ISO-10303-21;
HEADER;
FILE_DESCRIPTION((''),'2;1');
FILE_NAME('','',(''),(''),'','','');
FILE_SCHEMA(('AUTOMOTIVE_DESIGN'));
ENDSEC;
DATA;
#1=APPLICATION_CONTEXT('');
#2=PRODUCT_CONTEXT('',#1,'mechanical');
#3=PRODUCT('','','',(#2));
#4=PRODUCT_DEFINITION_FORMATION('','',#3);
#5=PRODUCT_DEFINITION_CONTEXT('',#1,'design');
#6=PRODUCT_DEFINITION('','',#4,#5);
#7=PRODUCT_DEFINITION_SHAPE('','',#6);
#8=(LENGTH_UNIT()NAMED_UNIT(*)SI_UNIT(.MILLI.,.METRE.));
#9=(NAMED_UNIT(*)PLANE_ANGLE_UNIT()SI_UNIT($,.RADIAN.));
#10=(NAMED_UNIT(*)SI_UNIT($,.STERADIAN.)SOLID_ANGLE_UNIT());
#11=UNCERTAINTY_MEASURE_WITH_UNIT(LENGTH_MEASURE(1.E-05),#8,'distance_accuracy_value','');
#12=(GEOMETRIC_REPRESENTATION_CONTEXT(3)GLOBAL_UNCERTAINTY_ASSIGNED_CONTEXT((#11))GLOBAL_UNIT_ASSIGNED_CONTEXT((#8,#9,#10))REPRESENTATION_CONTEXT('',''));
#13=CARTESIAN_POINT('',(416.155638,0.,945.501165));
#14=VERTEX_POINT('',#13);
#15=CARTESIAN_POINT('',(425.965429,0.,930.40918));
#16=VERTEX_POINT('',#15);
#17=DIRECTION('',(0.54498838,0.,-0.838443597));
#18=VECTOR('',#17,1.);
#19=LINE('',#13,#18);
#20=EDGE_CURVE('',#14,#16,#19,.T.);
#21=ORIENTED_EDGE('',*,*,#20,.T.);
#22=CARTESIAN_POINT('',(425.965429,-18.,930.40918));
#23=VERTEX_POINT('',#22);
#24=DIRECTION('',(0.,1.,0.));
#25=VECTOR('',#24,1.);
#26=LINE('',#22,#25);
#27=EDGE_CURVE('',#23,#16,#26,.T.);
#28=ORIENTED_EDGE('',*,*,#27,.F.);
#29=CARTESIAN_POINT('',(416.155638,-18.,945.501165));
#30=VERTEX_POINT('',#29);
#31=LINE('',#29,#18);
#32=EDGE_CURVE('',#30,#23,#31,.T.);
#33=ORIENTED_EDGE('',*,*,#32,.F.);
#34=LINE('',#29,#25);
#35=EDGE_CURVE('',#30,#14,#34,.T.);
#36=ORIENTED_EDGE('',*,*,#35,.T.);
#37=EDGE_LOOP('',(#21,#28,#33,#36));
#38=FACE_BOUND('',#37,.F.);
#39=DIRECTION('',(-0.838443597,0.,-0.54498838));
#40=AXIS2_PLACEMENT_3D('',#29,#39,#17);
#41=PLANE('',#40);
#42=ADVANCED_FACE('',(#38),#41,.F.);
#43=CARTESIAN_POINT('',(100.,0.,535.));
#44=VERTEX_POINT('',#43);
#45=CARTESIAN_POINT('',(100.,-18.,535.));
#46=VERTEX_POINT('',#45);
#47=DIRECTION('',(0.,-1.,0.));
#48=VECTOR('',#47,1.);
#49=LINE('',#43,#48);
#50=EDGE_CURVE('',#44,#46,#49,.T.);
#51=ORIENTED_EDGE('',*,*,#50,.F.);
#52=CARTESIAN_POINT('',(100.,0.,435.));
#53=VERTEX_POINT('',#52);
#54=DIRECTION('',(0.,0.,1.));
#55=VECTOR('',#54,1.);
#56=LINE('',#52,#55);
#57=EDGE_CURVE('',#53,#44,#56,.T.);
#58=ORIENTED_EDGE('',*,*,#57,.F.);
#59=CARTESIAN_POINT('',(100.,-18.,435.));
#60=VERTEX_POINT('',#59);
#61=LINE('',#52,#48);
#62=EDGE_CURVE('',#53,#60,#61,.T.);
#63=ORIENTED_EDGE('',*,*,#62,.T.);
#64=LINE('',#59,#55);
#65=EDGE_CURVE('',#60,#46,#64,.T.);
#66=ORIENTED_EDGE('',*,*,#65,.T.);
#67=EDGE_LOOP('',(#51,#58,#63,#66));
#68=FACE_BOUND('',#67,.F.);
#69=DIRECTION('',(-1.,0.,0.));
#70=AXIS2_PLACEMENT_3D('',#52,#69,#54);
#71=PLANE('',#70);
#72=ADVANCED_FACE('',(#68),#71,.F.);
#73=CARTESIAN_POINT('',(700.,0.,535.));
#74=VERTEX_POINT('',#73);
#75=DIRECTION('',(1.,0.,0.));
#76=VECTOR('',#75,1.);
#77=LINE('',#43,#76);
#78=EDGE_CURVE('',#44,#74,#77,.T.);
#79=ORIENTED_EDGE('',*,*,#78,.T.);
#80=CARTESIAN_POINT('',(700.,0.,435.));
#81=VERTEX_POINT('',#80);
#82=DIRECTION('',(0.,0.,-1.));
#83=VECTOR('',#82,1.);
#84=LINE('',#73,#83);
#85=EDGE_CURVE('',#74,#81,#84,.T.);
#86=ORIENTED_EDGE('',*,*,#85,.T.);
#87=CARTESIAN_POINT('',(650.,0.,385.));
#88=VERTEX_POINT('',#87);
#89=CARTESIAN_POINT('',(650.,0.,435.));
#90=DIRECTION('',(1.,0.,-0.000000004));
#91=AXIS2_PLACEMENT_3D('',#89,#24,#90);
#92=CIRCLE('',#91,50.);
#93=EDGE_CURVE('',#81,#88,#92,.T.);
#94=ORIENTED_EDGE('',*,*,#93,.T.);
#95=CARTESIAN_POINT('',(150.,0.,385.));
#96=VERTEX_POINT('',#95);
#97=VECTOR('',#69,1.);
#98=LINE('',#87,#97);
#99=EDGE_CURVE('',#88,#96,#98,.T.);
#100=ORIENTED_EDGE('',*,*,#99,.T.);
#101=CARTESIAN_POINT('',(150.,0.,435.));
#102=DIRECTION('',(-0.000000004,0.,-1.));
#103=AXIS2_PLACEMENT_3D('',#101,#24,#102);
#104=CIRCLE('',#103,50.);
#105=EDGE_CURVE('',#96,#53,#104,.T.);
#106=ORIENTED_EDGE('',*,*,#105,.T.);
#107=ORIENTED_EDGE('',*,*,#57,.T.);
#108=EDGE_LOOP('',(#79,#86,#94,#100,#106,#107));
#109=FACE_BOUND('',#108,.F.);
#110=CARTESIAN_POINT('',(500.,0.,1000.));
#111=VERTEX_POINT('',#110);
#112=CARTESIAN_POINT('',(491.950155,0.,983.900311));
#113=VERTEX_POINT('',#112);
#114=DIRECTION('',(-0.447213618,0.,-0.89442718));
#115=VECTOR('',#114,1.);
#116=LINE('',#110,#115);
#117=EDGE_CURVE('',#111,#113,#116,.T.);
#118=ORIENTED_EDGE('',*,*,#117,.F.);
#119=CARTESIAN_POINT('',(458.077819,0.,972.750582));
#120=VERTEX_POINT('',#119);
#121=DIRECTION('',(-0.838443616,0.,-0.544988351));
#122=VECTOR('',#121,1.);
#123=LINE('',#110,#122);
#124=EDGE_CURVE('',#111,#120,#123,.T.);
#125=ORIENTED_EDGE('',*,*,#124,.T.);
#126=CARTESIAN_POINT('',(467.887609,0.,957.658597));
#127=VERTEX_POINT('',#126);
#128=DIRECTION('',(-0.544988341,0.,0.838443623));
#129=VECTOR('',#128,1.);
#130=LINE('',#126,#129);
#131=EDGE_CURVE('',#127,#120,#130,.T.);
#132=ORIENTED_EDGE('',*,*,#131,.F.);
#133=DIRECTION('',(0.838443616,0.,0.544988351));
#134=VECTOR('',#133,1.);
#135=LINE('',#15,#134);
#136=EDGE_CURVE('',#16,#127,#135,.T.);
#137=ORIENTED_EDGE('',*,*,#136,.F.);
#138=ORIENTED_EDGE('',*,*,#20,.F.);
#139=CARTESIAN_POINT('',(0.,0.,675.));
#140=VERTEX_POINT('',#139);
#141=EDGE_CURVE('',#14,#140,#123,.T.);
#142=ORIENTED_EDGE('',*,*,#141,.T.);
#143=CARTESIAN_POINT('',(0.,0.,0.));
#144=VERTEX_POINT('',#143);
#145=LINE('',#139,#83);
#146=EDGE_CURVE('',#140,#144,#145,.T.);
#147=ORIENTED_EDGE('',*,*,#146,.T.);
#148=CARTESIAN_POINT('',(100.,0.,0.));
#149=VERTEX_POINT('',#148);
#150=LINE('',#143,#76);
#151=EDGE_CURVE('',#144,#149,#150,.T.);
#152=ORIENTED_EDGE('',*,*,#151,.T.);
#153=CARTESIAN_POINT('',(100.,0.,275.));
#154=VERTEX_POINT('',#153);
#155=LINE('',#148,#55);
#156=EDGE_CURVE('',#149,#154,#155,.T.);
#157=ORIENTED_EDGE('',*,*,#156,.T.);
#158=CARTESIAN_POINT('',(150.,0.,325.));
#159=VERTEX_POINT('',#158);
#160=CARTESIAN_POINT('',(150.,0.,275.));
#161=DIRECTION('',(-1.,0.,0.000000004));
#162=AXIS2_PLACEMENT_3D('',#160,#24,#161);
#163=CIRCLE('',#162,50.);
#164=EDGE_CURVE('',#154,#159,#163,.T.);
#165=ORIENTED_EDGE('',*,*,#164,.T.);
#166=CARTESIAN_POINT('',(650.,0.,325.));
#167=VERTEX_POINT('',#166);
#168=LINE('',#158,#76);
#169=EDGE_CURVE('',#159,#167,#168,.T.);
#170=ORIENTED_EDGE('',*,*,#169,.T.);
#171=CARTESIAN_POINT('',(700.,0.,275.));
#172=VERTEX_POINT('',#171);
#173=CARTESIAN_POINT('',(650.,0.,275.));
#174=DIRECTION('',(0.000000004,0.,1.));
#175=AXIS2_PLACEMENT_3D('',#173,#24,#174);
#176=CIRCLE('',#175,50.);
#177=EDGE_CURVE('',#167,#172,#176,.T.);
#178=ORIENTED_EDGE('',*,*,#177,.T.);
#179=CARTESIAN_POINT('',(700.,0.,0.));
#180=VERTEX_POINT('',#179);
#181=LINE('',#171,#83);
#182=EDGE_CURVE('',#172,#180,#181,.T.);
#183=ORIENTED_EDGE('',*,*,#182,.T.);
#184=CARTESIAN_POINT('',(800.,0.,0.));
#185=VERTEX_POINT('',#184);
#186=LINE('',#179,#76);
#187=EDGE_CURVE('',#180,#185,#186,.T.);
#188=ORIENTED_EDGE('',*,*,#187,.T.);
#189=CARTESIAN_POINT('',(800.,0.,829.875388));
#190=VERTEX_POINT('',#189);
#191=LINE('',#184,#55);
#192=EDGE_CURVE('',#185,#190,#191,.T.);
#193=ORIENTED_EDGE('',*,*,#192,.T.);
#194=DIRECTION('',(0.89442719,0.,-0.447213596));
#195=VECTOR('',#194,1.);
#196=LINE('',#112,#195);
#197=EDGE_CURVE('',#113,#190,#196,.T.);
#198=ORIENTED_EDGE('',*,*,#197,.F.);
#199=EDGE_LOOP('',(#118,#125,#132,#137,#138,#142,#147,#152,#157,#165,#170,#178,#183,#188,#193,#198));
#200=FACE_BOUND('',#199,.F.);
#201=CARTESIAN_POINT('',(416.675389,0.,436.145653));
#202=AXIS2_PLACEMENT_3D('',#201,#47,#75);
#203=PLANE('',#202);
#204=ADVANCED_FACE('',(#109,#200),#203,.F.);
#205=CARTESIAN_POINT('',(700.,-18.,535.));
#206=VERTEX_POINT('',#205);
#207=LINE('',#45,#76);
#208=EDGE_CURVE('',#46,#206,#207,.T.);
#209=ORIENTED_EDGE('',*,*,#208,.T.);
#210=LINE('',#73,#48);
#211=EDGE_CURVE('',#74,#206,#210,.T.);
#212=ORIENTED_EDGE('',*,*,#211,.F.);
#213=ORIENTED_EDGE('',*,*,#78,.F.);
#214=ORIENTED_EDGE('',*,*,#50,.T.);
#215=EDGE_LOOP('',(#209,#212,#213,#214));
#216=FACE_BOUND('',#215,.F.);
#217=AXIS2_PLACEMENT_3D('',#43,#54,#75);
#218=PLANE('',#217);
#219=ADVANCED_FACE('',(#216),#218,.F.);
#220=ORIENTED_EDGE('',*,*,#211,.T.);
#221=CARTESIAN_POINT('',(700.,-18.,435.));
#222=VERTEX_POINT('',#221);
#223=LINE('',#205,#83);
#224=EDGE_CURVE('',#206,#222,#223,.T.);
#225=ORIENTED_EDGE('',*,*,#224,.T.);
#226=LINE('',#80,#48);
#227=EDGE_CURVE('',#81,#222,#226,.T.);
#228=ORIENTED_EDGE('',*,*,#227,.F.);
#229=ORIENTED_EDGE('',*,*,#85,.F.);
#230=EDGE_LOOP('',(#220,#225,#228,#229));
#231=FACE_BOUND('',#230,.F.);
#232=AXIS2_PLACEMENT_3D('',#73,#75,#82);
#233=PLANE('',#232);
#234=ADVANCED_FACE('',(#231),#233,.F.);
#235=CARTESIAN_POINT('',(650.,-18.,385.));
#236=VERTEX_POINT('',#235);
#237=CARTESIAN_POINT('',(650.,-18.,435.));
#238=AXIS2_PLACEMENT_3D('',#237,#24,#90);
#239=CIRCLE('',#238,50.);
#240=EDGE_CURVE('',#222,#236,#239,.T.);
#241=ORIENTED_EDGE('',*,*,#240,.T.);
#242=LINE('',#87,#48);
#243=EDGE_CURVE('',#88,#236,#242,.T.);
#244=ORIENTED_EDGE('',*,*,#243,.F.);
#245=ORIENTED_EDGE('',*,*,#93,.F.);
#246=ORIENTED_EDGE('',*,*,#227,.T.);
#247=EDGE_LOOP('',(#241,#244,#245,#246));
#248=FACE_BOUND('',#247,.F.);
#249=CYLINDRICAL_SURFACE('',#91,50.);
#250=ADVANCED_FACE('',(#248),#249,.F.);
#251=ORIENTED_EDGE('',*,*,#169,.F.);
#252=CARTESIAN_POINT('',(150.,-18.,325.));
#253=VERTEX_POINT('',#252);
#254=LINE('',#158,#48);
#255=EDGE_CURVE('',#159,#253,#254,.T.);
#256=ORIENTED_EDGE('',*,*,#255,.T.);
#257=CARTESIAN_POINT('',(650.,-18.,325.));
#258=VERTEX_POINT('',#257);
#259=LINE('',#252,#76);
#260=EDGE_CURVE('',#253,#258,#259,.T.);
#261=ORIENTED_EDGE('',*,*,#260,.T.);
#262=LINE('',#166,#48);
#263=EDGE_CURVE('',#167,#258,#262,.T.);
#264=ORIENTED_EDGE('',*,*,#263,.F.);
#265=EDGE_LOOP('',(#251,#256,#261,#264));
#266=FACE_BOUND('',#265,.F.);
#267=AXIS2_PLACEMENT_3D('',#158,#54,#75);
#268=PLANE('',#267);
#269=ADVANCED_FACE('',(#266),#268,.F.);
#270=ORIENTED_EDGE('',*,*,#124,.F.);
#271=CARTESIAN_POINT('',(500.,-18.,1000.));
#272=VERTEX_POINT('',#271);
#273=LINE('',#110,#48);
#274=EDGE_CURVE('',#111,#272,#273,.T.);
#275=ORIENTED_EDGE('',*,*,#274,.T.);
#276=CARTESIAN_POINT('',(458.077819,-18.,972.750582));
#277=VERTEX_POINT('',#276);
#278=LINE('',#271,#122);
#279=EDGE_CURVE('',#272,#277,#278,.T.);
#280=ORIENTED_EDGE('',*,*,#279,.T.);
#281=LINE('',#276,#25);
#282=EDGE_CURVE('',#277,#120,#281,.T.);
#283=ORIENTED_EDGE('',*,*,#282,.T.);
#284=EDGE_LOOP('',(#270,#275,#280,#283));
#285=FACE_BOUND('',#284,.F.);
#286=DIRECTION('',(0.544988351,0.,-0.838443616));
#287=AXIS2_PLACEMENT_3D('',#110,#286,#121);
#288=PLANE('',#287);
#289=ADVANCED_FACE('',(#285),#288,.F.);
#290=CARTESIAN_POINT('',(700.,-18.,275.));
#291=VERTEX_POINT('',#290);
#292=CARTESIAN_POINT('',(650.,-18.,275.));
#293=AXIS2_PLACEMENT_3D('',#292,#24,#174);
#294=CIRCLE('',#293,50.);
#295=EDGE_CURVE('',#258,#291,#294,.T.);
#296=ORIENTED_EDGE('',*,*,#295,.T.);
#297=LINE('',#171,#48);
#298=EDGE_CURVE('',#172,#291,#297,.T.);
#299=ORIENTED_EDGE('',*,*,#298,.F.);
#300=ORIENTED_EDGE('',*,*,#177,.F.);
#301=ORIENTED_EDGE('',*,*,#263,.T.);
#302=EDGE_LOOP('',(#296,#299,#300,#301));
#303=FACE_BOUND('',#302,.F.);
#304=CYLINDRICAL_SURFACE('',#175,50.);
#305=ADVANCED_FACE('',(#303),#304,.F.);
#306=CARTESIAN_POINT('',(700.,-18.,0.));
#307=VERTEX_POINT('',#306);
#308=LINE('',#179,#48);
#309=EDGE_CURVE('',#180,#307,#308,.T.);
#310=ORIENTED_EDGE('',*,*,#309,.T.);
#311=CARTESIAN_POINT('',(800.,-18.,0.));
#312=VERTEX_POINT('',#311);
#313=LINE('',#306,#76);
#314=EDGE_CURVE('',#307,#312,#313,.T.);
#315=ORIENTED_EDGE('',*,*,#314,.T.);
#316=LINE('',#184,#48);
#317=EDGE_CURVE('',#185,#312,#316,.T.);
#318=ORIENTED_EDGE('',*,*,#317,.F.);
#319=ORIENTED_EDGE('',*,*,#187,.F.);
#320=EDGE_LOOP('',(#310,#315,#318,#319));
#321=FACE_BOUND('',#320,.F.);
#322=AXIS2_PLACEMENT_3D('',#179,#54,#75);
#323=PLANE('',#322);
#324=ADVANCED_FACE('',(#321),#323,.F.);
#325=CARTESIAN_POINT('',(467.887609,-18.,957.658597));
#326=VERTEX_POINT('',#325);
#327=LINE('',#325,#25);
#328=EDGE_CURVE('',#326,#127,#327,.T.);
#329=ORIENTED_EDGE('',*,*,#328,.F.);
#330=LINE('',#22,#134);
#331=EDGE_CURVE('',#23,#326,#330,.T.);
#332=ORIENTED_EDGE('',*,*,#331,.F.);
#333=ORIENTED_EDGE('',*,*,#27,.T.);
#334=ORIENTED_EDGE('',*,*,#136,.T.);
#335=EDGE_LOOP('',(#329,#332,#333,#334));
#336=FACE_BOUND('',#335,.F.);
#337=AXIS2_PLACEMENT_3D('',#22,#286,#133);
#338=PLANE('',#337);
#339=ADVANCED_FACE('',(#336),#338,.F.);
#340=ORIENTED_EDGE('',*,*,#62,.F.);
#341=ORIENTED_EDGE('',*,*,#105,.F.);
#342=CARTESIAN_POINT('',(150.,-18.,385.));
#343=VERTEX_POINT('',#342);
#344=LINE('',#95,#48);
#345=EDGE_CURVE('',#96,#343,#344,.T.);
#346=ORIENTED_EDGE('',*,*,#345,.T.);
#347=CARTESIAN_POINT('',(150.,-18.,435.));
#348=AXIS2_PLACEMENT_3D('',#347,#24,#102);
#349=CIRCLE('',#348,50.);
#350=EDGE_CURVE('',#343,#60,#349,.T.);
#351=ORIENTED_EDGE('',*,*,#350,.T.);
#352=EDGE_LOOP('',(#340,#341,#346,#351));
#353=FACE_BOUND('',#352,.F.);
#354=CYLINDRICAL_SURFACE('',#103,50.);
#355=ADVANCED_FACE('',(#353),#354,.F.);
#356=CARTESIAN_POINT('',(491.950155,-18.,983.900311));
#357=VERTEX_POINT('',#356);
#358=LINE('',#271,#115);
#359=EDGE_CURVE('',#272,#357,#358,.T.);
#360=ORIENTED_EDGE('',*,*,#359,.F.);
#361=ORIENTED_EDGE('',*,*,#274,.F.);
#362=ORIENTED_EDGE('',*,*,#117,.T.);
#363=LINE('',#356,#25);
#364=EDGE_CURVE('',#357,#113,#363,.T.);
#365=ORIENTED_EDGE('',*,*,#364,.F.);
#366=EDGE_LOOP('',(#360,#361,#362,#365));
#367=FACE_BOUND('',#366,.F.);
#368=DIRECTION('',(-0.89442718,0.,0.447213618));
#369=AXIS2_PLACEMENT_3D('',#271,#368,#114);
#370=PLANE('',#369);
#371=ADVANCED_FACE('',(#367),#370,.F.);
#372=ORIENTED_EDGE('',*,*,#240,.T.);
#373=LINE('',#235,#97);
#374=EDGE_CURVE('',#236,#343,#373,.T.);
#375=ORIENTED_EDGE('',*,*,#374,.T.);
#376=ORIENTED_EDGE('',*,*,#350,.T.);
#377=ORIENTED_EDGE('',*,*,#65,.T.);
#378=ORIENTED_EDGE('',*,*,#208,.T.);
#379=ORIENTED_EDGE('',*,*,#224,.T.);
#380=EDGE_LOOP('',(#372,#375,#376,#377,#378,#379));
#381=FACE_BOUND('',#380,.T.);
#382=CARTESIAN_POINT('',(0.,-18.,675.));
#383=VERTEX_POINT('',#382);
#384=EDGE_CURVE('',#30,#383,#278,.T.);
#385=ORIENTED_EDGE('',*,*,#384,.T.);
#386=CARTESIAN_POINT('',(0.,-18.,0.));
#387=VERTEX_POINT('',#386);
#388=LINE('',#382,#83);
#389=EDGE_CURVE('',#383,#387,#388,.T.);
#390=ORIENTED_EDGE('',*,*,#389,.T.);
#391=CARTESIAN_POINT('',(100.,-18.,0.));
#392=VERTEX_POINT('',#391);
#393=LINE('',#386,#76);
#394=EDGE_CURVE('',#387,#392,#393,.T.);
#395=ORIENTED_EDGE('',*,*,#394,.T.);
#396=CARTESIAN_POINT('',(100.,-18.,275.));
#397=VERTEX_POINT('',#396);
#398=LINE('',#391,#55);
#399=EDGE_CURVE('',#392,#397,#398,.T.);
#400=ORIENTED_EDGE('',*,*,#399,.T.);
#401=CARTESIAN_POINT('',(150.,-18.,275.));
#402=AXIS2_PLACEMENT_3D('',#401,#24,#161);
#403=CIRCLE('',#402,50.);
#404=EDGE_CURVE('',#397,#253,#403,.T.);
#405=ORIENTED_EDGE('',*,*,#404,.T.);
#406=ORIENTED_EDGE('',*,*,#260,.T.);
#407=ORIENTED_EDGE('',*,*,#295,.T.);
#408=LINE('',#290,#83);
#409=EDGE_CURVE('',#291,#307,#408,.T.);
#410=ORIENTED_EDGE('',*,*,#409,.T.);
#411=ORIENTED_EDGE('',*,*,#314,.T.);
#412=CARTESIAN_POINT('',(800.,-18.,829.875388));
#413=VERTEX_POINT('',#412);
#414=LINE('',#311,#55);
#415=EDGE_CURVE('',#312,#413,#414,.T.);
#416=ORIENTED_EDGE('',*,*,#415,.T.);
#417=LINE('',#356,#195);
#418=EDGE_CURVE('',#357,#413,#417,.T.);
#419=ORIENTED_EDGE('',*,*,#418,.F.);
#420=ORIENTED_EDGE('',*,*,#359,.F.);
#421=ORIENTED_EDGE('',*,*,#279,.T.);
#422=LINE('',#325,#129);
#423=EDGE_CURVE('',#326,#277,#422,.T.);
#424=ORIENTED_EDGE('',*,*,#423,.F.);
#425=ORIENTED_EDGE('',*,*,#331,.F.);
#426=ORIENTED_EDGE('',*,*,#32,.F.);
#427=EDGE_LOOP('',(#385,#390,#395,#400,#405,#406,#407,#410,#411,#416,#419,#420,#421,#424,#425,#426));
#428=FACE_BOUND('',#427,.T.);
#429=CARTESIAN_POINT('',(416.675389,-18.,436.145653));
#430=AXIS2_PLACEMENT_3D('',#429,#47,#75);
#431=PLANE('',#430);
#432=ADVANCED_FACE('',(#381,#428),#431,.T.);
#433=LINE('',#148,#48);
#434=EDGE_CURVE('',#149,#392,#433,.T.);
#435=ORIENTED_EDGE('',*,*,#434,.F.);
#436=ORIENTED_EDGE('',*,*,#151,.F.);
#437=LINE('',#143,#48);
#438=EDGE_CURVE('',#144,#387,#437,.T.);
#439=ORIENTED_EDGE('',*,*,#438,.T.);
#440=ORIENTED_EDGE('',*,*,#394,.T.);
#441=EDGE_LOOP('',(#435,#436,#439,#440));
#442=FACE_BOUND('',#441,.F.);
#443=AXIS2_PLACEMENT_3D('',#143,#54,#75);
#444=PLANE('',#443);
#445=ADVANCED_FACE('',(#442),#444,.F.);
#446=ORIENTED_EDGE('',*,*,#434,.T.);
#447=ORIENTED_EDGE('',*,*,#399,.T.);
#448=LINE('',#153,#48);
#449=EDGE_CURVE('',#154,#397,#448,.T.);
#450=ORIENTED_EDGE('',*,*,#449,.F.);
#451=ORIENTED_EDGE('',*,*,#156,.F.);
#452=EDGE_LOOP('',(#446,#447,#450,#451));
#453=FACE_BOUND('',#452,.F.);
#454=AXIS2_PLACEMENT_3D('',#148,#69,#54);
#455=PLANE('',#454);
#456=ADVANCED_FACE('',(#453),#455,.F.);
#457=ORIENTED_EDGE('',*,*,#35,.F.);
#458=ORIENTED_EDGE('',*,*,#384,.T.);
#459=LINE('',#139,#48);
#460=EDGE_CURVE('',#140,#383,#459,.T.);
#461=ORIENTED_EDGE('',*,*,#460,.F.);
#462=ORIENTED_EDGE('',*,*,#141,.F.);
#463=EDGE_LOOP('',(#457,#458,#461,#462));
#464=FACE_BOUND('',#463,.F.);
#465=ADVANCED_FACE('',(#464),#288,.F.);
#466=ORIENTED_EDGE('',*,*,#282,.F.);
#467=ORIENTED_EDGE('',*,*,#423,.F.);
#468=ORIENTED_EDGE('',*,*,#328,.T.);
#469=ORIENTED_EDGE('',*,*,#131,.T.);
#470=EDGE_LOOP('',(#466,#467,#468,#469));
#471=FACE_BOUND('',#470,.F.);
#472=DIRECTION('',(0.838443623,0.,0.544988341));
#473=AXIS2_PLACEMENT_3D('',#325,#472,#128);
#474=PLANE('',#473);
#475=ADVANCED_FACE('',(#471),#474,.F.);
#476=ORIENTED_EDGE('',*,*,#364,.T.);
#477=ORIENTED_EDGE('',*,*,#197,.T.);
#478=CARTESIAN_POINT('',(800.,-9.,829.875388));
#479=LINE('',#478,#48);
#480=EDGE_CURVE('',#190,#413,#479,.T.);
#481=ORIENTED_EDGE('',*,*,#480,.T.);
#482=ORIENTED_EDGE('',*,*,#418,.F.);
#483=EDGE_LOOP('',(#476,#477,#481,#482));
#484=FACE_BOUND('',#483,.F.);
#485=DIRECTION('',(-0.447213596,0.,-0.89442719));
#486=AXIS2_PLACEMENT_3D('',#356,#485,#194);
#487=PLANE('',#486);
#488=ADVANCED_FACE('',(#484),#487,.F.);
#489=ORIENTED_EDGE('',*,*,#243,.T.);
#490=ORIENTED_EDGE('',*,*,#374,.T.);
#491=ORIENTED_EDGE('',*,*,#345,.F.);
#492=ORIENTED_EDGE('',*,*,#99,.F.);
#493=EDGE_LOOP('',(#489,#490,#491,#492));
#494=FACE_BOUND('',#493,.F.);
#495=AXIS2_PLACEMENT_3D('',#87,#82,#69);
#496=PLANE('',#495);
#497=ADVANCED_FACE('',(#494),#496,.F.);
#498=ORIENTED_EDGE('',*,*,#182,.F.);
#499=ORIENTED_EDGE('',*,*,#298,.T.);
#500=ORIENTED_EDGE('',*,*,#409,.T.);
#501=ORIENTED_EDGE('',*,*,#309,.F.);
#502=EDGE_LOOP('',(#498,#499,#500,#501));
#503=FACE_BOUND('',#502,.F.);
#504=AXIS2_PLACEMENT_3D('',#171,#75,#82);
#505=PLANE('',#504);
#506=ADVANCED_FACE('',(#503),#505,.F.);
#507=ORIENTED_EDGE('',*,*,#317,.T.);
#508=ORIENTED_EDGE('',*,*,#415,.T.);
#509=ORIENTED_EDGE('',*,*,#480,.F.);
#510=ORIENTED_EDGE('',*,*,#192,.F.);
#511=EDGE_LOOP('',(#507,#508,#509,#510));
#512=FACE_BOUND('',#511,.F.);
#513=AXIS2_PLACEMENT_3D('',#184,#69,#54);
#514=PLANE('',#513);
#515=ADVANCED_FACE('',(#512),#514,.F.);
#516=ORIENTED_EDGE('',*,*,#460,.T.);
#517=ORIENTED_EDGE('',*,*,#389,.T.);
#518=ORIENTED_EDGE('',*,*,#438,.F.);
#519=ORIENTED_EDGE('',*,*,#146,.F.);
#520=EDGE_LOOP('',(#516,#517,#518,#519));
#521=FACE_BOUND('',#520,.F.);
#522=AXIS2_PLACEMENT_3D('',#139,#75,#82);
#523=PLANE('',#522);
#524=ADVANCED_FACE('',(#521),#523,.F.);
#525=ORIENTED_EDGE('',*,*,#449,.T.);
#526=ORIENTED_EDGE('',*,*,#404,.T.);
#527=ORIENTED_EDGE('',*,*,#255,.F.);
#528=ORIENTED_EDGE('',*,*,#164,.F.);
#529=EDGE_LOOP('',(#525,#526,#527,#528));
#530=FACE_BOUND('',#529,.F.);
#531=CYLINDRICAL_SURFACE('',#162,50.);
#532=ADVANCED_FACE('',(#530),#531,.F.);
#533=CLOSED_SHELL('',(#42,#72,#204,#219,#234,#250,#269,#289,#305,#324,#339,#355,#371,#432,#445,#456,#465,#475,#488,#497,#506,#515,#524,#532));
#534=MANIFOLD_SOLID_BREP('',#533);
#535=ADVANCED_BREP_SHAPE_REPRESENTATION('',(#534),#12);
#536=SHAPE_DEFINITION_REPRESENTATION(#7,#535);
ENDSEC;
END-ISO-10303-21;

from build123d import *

# Parameters (mm, degrees)
F1_DEPTH = 18
F5_DEPTH = 18
F7_DEPTH = 18


with BuildPart() as f1:
    # F0 (on Front) → F1 (new body)
    with BuildSketch(Plane.XZ):
        with BuildLine():
            Line((0, 675), (0, 0))
            Line((0, 0), (100, 0))
            Line((100, 0), (100, 275))
            ThreePointArc((100, 275), (114.644661, 310.355339), (150, 325))
            Line((150, 325), (650, 325))
            ThreePointArc((650, 325), (685.355339, 310.355339), (700, 275))
            Line((700, 275), (700, 0))
            Line((700, 0), (800, 0))
            Line((800, 0), (800, 850))
            Line((800, 850), (500, 1000))
            Line((500, 1000), (0, 675))
        make_face()
        with BuildLine():
            Line((650, 385), (150, 385))
            ThreePointArc((150, 385), (114.644661, 399.644661), (100, 435))
            Line((100, 435), (100, 535))
            Line((100, 535), (700, 535))
            Line((700, 535), (700, 435))
            ThreePointArc((700, 435), (685.355339, 399.644661), (650, 385))
        make_face(mode=Mode.SUBTRACT)
    extrude(amount=F1_DEPTH)

    # F4 (on face) → F5 (cut, through all)
    with BuildSketch(Plane.XZ.offset(18)):
        Polygon((458.077819, 972.750582), (416.155638, 945.501165), (425.965429, 930.40918), (467.887609, 957.658597), align=None)
    extrude(amount=-F5_DEPTH, mode=Mode.SUBTRACT)

    # F6 (on face) → F7 (cut, through all)
    with BuildSketch(Plane.XZ.offset(18)):
        Polygon((857.770876, 821.114562), (500, 1000), (491.950155, 983.900311), (849.721032, 805.014872), align=None)
    extrude(amount=-F7_DEPTH, mode=Mode.SUBTRACT)


solid = f1.part
